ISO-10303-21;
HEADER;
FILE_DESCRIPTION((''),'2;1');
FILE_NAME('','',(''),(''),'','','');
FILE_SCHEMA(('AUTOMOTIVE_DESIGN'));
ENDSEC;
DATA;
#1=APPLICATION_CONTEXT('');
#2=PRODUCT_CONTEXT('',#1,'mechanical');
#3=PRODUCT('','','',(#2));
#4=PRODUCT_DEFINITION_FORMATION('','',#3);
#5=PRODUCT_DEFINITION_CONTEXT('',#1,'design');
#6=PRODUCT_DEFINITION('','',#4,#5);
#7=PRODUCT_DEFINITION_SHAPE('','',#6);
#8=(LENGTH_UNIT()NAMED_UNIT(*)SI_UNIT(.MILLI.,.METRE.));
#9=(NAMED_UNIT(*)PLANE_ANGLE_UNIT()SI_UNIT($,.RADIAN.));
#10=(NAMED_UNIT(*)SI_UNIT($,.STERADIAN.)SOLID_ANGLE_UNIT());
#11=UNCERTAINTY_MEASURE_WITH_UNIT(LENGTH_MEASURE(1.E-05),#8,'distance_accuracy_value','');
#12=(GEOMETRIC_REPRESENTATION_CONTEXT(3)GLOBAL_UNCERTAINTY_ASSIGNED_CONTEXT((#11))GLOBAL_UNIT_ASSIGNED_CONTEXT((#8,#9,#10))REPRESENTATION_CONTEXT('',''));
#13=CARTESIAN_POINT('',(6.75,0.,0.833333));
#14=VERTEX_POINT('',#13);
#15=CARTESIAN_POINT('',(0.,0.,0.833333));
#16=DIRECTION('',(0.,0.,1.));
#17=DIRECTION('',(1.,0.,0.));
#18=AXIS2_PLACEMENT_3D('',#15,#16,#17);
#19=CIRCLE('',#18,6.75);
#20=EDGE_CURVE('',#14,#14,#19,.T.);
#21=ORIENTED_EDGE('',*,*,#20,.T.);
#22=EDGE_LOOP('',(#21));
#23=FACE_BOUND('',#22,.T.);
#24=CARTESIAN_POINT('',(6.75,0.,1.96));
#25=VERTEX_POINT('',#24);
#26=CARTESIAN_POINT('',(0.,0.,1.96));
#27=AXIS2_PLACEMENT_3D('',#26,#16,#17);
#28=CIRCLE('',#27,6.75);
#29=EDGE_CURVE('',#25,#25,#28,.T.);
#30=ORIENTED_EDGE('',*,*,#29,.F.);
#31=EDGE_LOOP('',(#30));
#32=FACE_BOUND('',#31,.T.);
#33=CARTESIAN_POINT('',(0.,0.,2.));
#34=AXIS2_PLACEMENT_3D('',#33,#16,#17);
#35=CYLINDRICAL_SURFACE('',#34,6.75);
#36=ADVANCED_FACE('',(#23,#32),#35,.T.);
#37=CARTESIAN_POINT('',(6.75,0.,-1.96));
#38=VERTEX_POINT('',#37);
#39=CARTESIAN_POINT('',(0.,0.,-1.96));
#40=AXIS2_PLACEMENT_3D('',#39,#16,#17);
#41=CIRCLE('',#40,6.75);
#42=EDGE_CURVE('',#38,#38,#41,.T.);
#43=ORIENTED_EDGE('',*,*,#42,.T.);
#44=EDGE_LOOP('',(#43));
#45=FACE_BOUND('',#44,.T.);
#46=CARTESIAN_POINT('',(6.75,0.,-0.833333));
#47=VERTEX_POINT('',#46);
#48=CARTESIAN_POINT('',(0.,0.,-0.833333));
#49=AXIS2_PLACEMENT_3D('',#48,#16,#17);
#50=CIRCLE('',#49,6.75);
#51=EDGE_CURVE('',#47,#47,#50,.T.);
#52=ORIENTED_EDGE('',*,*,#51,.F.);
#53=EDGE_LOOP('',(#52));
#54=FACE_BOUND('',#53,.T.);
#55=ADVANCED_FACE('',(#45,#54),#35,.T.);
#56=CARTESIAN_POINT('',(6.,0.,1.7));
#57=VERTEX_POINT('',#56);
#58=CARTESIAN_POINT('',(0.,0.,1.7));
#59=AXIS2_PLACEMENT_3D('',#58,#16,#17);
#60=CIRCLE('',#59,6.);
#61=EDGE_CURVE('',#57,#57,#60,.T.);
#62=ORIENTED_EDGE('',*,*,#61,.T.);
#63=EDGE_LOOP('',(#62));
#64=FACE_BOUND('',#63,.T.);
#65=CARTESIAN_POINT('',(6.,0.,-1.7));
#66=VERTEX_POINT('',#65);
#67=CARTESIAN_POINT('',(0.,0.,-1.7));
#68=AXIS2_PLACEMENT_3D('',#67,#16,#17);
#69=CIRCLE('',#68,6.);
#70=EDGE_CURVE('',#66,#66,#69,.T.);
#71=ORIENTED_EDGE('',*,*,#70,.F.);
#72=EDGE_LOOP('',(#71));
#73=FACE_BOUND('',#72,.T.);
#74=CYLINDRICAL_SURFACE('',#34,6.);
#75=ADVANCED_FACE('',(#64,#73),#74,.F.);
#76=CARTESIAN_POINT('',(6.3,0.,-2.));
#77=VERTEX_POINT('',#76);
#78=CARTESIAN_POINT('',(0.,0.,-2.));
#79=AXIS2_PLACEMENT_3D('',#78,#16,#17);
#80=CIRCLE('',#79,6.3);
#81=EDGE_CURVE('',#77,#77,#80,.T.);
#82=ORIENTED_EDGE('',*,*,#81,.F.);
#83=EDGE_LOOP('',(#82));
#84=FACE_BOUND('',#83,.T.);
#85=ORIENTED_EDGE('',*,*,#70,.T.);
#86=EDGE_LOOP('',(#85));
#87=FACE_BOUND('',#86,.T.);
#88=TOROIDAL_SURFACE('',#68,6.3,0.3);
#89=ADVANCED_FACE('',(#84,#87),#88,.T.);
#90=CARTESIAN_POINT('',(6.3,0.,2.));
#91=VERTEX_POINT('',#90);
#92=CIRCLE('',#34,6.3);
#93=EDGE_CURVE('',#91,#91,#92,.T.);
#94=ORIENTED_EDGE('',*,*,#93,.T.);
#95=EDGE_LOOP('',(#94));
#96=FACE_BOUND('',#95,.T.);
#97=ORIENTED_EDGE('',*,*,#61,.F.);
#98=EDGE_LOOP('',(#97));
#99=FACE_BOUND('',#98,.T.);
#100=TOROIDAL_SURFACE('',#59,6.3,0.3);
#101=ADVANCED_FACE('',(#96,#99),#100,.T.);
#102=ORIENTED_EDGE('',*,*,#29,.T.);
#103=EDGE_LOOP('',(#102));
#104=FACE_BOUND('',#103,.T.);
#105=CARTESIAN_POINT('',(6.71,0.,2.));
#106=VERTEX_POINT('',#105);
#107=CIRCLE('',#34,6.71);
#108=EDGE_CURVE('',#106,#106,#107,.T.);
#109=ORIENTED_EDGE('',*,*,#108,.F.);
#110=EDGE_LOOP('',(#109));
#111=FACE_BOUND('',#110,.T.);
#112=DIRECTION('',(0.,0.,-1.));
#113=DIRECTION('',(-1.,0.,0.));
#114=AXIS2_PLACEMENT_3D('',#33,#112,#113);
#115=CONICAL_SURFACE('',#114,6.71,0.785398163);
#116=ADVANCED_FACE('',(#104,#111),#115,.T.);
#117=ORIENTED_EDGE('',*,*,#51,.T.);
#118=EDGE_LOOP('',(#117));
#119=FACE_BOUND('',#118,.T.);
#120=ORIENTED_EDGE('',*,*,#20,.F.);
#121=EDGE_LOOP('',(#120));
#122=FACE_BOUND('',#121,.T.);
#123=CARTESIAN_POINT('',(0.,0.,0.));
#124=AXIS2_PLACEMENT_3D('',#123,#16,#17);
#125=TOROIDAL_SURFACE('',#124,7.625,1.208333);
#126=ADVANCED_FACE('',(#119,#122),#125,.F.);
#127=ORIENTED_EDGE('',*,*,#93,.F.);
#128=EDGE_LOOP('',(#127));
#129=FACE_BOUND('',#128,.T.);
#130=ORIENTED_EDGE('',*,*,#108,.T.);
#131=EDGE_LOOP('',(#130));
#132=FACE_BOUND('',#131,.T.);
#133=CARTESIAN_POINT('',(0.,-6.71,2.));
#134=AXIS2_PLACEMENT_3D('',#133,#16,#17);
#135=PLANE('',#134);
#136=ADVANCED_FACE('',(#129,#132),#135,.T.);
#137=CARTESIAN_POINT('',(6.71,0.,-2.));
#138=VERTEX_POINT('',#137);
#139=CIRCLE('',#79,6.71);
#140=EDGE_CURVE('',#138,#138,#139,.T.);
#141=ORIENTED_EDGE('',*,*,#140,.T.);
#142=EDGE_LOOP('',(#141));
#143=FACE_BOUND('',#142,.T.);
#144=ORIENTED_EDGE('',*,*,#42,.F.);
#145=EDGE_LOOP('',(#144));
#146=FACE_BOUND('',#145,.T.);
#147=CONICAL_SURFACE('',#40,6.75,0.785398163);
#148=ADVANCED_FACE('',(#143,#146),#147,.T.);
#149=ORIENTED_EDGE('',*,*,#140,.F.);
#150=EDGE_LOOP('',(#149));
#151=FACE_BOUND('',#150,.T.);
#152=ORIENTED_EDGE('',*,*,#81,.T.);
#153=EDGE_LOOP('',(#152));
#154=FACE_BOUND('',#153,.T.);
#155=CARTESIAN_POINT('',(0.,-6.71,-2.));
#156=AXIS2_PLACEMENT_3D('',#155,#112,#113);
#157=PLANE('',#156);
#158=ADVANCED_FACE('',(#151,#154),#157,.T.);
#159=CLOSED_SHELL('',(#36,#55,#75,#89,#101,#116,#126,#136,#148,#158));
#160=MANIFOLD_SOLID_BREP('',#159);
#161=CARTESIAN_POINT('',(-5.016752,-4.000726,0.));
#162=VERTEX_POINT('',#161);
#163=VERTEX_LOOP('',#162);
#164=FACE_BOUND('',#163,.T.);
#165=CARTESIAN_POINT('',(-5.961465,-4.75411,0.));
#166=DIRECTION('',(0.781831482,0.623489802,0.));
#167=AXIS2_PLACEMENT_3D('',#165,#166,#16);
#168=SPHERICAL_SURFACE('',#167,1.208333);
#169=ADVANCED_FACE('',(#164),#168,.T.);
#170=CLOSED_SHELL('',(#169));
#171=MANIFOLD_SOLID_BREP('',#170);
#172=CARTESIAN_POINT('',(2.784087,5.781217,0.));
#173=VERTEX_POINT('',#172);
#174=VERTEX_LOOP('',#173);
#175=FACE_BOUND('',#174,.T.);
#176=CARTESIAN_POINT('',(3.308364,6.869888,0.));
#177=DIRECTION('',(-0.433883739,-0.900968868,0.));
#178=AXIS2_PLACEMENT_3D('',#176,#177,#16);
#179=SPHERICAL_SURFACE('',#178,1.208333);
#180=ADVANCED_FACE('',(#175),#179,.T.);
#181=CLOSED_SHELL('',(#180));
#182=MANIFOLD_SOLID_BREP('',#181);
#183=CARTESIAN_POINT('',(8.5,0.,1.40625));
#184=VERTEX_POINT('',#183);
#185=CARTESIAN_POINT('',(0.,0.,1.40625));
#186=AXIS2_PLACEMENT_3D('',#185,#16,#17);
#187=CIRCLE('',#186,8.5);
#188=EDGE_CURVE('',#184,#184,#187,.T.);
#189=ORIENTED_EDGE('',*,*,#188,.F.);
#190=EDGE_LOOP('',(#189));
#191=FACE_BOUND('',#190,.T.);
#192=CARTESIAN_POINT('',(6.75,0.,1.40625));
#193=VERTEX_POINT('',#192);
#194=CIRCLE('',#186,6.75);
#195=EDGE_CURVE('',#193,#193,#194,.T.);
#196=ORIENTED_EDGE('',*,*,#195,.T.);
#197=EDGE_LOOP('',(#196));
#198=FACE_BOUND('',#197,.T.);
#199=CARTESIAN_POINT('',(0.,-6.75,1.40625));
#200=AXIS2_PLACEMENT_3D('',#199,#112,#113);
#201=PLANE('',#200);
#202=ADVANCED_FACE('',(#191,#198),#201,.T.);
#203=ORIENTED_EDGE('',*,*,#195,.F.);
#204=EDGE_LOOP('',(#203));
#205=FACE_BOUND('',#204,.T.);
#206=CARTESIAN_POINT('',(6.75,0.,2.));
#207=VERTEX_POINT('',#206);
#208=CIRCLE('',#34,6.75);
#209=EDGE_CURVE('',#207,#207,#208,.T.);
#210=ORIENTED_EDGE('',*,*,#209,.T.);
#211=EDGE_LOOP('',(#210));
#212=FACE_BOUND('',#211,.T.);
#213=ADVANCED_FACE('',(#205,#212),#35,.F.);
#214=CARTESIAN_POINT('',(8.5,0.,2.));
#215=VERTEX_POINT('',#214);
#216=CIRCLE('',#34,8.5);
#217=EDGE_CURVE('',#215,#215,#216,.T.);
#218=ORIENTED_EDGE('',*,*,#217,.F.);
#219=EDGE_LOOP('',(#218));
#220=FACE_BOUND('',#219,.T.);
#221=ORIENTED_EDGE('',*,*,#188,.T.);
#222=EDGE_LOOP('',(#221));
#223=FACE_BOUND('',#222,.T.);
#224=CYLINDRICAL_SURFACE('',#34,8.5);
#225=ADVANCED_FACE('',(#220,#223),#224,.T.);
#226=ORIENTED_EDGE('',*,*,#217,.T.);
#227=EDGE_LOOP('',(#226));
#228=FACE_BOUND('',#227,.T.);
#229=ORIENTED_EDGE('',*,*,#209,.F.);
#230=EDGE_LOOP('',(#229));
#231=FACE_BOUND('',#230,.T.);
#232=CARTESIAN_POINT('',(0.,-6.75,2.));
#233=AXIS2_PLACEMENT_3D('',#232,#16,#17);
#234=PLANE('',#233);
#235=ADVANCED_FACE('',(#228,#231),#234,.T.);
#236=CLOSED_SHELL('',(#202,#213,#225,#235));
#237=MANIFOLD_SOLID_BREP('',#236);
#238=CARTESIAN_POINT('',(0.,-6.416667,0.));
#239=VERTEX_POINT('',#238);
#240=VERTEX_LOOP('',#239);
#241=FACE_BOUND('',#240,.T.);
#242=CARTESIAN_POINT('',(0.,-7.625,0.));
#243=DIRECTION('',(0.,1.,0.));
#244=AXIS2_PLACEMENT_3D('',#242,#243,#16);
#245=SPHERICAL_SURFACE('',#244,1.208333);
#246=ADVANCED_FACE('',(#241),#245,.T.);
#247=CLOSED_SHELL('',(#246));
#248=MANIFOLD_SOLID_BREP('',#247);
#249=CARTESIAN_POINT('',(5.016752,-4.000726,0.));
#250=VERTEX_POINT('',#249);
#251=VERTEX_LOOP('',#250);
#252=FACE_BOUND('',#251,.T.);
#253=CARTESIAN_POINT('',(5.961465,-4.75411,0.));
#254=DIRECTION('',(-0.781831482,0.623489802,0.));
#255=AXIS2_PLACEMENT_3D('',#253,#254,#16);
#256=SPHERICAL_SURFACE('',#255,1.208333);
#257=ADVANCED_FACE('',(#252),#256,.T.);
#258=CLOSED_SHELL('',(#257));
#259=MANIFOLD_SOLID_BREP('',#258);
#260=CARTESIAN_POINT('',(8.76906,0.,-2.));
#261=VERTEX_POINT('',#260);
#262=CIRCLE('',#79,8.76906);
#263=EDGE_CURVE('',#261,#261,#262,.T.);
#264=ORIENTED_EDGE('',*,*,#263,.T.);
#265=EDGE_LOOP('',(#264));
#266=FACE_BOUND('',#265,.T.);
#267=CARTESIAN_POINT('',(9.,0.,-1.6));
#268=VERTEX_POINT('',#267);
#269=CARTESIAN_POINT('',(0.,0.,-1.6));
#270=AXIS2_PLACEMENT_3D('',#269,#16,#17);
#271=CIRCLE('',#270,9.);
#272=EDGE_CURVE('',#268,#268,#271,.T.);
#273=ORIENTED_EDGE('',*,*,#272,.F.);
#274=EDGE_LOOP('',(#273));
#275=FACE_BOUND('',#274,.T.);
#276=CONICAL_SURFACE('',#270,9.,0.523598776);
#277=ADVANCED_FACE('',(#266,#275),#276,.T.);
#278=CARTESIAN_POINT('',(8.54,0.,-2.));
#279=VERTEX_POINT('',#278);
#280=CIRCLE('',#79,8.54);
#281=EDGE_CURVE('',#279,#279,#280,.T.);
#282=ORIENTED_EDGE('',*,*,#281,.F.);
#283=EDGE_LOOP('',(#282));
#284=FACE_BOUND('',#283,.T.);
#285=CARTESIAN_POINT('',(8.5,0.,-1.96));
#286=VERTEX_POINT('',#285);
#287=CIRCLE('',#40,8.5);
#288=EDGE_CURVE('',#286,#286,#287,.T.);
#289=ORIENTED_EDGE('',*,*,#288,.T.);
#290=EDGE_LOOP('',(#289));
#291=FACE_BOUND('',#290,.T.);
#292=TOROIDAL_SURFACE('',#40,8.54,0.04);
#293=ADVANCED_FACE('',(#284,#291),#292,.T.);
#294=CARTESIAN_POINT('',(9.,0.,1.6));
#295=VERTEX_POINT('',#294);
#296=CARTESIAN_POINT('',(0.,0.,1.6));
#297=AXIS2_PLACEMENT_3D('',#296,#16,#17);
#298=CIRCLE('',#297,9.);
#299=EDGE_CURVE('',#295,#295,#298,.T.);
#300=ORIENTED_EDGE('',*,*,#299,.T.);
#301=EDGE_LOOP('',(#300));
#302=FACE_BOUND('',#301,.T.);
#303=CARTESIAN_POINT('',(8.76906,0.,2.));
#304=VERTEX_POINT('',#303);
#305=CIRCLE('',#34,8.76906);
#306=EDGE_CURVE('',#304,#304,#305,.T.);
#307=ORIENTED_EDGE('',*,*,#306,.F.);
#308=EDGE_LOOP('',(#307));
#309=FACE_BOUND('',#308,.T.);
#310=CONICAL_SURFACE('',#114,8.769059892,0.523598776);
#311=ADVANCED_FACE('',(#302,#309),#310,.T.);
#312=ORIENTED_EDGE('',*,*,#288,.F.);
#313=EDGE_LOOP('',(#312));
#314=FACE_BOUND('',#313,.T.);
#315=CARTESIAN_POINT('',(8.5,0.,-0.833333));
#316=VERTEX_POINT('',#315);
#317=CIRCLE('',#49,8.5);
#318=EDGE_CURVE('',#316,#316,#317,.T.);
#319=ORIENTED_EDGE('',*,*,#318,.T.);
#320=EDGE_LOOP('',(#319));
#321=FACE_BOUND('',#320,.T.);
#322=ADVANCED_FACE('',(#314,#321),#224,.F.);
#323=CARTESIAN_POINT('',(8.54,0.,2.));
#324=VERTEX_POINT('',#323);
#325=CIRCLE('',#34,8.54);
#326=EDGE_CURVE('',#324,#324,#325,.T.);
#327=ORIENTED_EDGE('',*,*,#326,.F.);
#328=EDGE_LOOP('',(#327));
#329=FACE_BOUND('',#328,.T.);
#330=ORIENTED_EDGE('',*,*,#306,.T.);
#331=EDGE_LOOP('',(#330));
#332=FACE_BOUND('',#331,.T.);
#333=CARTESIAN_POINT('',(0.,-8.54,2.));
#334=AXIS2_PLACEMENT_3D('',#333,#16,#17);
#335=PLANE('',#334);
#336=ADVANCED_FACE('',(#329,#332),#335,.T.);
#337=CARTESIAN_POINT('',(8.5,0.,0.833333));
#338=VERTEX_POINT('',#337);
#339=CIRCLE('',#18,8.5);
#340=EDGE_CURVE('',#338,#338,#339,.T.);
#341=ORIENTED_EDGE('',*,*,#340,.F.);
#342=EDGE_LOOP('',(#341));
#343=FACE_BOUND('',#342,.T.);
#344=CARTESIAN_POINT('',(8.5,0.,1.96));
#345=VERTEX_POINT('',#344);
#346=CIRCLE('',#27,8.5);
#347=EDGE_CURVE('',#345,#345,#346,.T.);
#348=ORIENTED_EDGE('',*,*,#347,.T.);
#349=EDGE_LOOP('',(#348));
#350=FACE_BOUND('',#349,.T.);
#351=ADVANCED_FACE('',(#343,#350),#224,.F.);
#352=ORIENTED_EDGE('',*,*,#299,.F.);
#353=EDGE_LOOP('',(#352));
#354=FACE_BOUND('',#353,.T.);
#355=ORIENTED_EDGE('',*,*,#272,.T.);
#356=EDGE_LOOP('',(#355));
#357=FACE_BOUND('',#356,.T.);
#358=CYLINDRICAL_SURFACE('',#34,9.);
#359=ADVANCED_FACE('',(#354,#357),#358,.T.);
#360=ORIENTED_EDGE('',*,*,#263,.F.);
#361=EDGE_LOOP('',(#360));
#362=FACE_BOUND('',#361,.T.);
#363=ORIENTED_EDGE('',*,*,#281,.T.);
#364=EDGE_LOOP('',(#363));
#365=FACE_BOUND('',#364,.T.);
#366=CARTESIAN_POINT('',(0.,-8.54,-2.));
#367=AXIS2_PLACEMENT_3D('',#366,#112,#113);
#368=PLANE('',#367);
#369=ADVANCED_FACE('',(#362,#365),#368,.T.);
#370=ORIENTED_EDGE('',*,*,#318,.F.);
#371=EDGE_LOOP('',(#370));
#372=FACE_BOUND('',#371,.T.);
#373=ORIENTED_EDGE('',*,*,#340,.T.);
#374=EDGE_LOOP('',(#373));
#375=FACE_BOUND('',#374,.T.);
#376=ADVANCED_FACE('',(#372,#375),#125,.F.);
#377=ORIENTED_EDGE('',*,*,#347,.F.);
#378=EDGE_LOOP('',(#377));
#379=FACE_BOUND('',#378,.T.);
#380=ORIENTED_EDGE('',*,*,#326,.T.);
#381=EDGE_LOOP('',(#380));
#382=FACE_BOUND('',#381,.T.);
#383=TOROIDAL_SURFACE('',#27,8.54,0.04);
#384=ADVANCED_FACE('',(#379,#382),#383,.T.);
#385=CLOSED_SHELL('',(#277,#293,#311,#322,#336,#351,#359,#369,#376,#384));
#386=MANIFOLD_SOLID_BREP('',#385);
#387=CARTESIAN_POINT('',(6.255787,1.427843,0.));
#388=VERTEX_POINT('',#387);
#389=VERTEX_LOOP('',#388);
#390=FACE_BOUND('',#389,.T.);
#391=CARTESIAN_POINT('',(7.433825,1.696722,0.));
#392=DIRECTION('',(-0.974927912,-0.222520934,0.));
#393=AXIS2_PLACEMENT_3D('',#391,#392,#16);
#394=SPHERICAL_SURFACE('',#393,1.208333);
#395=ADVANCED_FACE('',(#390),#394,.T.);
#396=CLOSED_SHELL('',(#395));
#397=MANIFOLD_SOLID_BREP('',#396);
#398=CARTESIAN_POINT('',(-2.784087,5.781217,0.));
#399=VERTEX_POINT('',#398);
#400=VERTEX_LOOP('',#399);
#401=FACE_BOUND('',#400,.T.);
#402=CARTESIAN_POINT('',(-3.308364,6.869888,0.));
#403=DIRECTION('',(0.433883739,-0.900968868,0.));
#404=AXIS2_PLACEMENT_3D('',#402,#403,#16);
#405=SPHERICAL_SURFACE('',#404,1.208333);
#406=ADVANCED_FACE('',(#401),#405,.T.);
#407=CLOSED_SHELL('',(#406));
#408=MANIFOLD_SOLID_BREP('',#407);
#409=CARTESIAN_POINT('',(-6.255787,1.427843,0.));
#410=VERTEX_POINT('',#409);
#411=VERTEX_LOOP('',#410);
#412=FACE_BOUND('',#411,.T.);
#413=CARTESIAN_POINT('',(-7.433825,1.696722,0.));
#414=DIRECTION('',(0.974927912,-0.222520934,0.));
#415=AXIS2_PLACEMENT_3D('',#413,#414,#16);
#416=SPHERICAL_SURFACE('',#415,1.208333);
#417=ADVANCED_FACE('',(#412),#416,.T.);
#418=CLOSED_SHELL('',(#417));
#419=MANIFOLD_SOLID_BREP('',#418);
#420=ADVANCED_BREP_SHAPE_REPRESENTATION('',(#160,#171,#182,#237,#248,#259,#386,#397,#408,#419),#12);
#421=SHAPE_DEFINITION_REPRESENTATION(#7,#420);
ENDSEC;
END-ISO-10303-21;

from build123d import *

# Parameters (mm, degrees)
SKETCH4_W         = 0.59375
SKETCH4_H         = 1.75
CIRPATTERN1_COUNT = 7


with BuildPart() as part:
    # Sketch3 → Revolve1 (revolve)
    with BuildSketch(Plane(origin=(0, 0, 0), x_dir=(0, 0, -1), z_dir=(1, 0, 0))):
        with BuildLine():
            Line((-1.6, -9), (1.6, -9))
            Line((1.6, -9), (2, -8.769059892))
            Line((2, -8.769059892), (2, -8.54))
            ThreePointArc((2, -8.54), (1.988284271, -8.511715729), (1.96, -8.5))
            Line((1.96, -8.5), (0.833333333, -8.5))
            ThreePointArc((0.833333333, -8.5), (0, -8.833333333), (-0.833333333, -8.5))
            Line((-0.833333333, -8.5), (-1.96, -8.5))
            ThreePointArc((-1.96, -8.5), (-1.988284271, -8.511715729), (-2, -8.54))
            Line((-2, -8.54), (-2, -8.769059892))
            Line((-2, -8.769059892), (-1.6, -9))
        make_face()
        with BuildLine():
            Line((-1.7, -6), (1.7, -6))
            ThreePointArc((1.7, -6), (1.912132034, -6.087867966), (2, -6.3))
            Line((2, -6.3), (2, -6.71))
            Line((2, -6.71), (1.96, -6.75))
            Line((1.96, -6.75), (0.833333333, -6.75))
            ThreePointArc((0.833333333, -6.75), (0, -6.416666667), (-0.833333333, -6.75))
            Line((-0.833333333, -6.75), (-1.96, -6.75))
            Line((-1.96, -6.75), (-2, -6.71))
            Line((-2, -6.71), (-2, -6.3))
            ThreePointArc((-2, -6.3), (-1.912132034, -6.087867966), (-1.7, -6))
        make_face()
    revolve(axis=Axis((0, 0, 2), (0, 0, -1)))


with BuildPart() as body_2:
    # Sketch4 → Revolve2 (revolve)
    with BuildSketch(Plane(origin=(0, 0, 0), x_dir=(0, 0, -1), z_dir=(1, 0, 0))):
        with Locations((-1.703125, -7.625)):
            Rectangle(SKETCH4_W, SKETCH4_H)
    revolve(axis=Axis((0, 0, 2), (0, 0, -1)))


with BuildPart() as body_3:
    # Sketch5 → Revolve3 (revolve)
    with BuildSketch(Plane(origin=(0, 0, 0), x_dir=(0, 0, -1), z_dir=(1, 0, 0))):
        with BuildLine():
            Line((0, -6.416666667), (0, -8.833333333))
            ThreePointArc((0, -8.833333333), (-1.208333333, -7.625), (0, -6.416666667))
        make_face()
    revolve(axis=Axis((0, 0, 0), (0, -1, 0)))


with BuildPart() as cirpattern1_1:
    # CirPattern1: pattern copy
    add(body_3.part.rotate(Axis((0, 0, 0), (0, 0, 1)), 1 * 360 / CIRPATTERN1_COUNT))


with BuildPart() as cirpattern1_2:
    # CirPattern1: pattern copy
    add(body_3.part.rotate(Axis((0, 0, 0), (0, 0, 1)), 2 * 360 / CIRPATTERN1_COUNT))


with BuildPart() as cirpattern1_3:
    # CirPattern1: pattern copy
    add(body_3.part.rotate(Axis((0, 0, 0), (0, 0, 1)), 3 * 360 / CIRPATTERN1_COUNT))


with BuildPart() as cirpattern1_4:
    # CirPattern1: pattern copy
    add(body_3.part.rotate(Axis((0, 0, 0), (0, 0, 1)), 4 * 360 / CIRPATTERN1_COUNT))


with BuildPart() as cirpattern1_5:
    # CirPattern1: pattern copy
    add(body_3.part.rotate(Axis((0, 0, 0), (0, 0, 1)), 5 * 360 / CIRPATTERN1_COUNT))


with BuildPart() as cirpattern1_6:
    # CirPattern1: pattern copy
    add(body_3.part.rotate(Axis((0, 0, 0), (0, 0, 1)), 6 * 360 / CIRPATTERN1_COUNT))


solid = Compound([part.part, body_2.part, body_3.part, cirpattern1_1.part, cirpattern1_2.part, cirpattern1_3.part, cirpattern1_4.part, cirpattern1_5.part, cirpattern1_6.part])
